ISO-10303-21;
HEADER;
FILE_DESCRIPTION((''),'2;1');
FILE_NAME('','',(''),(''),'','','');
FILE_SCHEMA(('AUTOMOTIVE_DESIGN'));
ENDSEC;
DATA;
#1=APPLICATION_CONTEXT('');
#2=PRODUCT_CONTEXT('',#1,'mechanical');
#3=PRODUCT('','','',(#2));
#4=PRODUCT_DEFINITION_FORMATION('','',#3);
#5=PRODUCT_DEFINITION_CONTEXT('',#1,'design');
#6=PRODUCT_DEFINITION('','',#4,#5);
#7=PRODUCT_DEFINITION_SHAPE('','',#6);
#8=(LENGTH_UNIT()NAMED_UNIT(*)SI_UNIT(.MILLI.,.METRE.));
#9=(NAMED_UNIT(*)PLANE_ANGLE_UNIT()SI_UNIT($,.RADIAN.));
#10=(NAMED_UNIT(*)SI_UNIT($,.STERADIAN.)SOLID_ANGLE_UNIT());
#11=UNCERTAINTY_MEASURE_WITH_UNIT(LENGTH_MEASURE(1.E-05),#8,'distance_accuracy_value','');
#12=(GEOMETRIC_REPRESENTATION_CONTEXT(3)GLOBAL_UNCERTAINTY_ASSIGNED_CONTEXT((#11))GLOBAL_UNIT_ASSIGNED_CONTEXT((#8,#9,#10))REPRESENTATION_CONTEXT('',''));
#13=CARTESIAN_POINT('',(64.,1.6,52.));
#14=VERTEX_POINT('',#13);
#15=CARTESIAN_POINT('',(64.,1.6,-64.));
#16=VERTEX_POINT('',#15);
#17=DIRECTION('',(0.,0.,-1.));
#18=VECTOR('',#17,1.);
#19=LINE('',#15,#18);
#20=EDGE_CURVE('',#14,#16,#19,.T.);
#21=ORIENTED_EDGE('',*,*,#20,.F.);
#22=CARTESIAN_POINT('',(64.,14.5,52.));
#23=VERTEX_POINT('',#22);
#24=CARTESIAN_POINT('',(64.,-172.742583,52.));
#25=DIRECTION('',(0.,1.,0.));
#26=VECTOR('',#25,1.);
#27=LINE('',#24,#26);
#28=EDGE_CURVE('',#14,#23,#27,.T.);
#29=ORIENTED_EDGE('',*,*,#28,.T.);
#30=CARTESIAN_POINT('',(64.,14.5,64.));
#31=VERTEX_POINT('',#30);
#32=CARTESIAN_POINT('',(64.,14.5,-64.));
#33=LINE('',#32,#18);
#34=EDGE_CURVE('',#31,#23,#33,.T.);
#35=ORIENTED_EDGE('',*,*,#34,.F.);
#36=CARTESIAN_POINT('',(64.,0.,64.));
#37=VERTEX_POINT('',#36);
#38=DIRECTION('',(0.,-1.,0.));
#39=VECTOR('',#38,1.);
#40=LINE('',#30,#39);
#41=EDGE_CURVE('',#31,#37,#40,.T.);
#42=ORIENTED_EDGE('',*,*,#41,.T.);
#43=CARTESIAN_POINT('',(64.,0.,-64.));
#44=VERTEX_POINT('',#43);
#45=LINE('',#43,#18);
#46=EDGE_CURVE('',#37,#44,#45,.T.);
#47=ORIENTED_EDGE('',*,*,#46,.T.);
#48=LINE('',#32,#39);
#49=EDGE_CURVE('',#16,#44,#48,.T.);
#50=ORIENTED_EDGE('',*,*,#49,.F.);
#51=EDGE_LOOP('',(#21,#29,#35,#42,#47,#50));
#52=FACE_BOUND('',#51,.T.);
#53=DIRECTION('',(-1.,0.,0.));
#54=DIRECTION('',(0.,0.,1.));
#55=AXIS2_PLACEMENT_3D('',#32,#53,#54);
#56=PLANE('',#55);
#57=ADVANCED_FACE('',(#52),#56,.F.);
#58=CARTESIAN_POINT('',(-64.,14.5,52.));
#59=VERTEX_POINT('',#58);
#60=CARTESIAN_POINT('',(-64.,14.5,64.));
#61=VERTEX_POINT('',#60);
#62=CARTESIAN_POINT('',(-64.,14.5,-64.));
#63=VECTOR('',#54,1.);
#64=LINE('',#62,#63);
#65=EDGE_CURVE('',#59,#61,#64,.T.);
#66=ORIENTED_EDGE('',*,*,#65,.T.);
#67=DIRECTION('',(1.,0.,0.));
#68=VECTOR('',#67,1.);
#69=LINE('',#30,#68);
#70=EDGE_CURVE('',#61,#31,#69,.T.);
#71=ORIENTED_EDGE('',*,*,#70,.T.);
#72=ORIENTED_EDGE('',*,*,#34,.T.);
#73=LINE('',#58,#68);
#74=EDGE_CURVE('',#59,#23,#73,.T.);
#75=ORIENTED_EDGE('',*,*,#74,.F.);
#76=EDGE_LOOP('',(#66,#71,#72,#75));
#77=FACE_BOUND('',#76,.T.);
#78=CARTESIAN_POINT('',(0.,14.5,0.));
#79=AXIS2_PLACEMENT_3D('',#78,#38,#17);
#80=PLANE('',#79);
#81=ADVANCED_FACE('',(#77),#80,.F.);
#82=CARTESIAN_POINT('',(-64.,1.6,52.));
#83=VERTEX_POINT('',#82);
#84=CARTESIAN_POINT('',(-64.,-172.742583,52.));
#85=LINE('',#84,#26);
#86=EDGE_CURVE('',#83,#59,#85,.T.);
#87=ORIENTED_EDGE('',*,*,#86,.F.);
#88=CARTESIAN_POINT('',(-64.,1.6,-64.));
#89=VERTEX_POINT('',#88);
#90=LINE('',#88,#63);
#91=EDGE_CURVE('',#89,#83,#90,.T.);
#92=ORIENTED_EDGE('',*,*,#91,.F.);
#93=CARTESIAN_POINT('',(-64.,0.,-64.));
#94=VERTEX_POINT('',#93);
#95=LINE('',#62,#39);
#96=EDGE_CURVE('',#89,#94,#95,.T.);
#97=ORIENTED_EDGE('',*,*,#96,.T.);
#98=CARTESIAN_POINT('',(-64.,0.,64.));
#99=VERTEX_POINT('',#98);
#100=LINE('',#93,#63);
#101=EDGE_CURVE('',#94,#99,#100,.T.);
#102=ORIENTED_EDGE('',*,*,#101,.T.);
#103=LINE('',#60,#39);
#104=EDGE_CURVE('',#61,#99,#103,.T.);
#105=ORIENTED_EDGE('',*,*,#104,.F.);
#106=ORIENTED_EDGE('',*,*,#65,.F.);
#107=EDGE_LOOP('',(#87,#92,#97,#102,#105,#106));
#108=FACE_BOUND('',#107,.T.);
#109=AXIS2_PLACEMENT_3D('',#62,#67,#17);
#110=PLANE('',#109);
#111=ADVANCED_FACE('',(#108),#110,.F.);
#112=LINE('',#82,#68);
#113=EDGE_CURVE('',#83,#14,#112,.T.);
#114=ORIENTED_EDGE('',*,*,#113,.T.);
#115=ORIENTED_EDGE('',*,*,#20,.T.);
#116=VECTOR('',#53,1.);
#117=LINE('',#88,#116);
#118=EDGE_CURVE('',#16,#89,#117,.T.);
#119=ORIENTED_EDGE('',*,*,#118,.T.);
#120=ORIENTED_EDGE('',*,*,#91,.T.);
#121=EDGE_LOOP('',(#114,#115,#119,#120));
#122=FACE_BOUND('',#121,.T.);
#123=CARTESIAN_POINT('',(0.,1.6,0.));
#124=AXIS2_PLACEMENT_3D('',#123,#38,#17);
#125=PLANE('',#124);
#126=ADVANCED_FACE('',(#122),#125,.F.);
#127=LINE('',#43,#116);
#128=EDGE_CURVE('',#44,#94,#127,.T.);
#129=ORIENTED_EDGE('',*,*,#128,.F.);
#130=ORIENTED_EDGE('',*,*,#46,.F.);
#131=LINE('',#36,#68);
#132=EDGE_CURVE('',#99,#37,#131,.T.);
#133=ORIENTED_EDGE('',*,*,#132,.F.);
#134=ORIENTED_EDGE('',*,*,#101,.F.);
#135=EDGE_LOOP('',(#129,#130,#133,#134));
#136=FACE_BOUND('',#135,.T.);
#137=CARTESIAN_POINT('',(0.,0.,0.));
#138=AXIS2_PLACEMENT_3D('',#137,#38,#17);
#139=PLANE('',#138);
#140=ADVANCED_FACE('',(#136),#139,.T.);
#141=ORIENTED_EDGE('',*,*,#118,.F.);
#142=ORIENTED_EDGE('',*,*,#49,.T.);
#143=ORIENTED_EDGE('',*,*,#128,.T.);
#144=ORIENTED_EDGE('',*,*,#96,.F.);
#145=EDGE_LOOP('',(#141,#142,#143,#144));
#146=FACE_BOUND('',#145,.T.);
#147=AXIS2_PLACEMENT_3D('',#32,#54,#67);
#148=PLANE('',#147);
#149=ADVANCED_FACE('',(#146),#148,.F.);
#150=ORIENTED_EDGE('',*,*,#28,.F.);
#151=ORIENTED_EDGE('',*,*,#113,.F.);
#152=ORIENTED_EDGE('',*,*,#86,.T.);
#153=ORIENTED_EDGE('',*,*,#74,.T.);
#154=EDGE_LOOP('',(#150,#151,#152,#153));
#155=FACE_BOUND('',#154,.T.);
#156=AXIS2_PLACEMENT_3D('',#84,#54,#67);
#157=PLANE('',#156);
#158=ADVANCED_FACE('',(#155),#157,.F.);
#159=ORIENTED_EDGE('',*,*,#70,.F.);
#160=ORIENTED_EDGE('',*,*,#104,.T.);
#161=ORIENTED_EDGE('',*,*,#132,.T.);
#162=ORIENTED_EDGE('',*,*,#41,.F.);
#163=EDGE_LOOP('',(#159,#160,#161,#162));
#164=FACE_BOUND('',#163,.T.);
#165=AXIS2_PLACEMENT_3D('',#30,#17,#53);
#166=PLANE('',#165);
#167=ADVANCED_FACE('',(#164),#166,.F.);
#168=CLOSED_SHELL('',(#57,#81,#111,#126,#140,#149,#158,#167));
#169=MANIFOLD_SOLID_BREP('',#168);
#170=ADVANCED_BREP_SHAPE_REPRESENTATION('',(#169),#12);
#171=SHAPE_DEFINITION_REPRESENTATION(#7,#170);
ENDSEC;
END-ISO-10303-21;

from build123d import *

# Parameters (mm, degrees)
SKETCH1_W           = 128
SKETCH1_H           = 128
BOSS_EXTRUDE1_DEPTH = 14.5
SKETCH2_W           = 128
SKETCH2_H           = 116
CUT_EXTRUDE1_DEPTH  = 12.9


with BuildPart() as part:
    # Sketch1 → Boss-Extrude1 (new body)
    with BuildSketch(Plane(origin=(0, 0, 0), x_dir=(1, 0, 0), z_dir=(0, 1, 0))):
        Rectangle(SKETCH1_W, SKETCH1_H)
    extrude(amount=BOSS_EXTRUDE1_DEPTH)

    # Sketch2 → Cut-Extrude1 (cut)
    with BuildSketch(Plane(origin=(0, 14.5, 0), x_dir=(1, 0, 0), z_dir=(0, 1, 0))):
        with Locations((0, 6)):
            Rectangle(SKETCH2_W, SKETCH2_H)
    extrude(amount=-CUT_EXTRUDE1_DEPTH, mode=Mode.SUBTRACT)


solid = part.part
